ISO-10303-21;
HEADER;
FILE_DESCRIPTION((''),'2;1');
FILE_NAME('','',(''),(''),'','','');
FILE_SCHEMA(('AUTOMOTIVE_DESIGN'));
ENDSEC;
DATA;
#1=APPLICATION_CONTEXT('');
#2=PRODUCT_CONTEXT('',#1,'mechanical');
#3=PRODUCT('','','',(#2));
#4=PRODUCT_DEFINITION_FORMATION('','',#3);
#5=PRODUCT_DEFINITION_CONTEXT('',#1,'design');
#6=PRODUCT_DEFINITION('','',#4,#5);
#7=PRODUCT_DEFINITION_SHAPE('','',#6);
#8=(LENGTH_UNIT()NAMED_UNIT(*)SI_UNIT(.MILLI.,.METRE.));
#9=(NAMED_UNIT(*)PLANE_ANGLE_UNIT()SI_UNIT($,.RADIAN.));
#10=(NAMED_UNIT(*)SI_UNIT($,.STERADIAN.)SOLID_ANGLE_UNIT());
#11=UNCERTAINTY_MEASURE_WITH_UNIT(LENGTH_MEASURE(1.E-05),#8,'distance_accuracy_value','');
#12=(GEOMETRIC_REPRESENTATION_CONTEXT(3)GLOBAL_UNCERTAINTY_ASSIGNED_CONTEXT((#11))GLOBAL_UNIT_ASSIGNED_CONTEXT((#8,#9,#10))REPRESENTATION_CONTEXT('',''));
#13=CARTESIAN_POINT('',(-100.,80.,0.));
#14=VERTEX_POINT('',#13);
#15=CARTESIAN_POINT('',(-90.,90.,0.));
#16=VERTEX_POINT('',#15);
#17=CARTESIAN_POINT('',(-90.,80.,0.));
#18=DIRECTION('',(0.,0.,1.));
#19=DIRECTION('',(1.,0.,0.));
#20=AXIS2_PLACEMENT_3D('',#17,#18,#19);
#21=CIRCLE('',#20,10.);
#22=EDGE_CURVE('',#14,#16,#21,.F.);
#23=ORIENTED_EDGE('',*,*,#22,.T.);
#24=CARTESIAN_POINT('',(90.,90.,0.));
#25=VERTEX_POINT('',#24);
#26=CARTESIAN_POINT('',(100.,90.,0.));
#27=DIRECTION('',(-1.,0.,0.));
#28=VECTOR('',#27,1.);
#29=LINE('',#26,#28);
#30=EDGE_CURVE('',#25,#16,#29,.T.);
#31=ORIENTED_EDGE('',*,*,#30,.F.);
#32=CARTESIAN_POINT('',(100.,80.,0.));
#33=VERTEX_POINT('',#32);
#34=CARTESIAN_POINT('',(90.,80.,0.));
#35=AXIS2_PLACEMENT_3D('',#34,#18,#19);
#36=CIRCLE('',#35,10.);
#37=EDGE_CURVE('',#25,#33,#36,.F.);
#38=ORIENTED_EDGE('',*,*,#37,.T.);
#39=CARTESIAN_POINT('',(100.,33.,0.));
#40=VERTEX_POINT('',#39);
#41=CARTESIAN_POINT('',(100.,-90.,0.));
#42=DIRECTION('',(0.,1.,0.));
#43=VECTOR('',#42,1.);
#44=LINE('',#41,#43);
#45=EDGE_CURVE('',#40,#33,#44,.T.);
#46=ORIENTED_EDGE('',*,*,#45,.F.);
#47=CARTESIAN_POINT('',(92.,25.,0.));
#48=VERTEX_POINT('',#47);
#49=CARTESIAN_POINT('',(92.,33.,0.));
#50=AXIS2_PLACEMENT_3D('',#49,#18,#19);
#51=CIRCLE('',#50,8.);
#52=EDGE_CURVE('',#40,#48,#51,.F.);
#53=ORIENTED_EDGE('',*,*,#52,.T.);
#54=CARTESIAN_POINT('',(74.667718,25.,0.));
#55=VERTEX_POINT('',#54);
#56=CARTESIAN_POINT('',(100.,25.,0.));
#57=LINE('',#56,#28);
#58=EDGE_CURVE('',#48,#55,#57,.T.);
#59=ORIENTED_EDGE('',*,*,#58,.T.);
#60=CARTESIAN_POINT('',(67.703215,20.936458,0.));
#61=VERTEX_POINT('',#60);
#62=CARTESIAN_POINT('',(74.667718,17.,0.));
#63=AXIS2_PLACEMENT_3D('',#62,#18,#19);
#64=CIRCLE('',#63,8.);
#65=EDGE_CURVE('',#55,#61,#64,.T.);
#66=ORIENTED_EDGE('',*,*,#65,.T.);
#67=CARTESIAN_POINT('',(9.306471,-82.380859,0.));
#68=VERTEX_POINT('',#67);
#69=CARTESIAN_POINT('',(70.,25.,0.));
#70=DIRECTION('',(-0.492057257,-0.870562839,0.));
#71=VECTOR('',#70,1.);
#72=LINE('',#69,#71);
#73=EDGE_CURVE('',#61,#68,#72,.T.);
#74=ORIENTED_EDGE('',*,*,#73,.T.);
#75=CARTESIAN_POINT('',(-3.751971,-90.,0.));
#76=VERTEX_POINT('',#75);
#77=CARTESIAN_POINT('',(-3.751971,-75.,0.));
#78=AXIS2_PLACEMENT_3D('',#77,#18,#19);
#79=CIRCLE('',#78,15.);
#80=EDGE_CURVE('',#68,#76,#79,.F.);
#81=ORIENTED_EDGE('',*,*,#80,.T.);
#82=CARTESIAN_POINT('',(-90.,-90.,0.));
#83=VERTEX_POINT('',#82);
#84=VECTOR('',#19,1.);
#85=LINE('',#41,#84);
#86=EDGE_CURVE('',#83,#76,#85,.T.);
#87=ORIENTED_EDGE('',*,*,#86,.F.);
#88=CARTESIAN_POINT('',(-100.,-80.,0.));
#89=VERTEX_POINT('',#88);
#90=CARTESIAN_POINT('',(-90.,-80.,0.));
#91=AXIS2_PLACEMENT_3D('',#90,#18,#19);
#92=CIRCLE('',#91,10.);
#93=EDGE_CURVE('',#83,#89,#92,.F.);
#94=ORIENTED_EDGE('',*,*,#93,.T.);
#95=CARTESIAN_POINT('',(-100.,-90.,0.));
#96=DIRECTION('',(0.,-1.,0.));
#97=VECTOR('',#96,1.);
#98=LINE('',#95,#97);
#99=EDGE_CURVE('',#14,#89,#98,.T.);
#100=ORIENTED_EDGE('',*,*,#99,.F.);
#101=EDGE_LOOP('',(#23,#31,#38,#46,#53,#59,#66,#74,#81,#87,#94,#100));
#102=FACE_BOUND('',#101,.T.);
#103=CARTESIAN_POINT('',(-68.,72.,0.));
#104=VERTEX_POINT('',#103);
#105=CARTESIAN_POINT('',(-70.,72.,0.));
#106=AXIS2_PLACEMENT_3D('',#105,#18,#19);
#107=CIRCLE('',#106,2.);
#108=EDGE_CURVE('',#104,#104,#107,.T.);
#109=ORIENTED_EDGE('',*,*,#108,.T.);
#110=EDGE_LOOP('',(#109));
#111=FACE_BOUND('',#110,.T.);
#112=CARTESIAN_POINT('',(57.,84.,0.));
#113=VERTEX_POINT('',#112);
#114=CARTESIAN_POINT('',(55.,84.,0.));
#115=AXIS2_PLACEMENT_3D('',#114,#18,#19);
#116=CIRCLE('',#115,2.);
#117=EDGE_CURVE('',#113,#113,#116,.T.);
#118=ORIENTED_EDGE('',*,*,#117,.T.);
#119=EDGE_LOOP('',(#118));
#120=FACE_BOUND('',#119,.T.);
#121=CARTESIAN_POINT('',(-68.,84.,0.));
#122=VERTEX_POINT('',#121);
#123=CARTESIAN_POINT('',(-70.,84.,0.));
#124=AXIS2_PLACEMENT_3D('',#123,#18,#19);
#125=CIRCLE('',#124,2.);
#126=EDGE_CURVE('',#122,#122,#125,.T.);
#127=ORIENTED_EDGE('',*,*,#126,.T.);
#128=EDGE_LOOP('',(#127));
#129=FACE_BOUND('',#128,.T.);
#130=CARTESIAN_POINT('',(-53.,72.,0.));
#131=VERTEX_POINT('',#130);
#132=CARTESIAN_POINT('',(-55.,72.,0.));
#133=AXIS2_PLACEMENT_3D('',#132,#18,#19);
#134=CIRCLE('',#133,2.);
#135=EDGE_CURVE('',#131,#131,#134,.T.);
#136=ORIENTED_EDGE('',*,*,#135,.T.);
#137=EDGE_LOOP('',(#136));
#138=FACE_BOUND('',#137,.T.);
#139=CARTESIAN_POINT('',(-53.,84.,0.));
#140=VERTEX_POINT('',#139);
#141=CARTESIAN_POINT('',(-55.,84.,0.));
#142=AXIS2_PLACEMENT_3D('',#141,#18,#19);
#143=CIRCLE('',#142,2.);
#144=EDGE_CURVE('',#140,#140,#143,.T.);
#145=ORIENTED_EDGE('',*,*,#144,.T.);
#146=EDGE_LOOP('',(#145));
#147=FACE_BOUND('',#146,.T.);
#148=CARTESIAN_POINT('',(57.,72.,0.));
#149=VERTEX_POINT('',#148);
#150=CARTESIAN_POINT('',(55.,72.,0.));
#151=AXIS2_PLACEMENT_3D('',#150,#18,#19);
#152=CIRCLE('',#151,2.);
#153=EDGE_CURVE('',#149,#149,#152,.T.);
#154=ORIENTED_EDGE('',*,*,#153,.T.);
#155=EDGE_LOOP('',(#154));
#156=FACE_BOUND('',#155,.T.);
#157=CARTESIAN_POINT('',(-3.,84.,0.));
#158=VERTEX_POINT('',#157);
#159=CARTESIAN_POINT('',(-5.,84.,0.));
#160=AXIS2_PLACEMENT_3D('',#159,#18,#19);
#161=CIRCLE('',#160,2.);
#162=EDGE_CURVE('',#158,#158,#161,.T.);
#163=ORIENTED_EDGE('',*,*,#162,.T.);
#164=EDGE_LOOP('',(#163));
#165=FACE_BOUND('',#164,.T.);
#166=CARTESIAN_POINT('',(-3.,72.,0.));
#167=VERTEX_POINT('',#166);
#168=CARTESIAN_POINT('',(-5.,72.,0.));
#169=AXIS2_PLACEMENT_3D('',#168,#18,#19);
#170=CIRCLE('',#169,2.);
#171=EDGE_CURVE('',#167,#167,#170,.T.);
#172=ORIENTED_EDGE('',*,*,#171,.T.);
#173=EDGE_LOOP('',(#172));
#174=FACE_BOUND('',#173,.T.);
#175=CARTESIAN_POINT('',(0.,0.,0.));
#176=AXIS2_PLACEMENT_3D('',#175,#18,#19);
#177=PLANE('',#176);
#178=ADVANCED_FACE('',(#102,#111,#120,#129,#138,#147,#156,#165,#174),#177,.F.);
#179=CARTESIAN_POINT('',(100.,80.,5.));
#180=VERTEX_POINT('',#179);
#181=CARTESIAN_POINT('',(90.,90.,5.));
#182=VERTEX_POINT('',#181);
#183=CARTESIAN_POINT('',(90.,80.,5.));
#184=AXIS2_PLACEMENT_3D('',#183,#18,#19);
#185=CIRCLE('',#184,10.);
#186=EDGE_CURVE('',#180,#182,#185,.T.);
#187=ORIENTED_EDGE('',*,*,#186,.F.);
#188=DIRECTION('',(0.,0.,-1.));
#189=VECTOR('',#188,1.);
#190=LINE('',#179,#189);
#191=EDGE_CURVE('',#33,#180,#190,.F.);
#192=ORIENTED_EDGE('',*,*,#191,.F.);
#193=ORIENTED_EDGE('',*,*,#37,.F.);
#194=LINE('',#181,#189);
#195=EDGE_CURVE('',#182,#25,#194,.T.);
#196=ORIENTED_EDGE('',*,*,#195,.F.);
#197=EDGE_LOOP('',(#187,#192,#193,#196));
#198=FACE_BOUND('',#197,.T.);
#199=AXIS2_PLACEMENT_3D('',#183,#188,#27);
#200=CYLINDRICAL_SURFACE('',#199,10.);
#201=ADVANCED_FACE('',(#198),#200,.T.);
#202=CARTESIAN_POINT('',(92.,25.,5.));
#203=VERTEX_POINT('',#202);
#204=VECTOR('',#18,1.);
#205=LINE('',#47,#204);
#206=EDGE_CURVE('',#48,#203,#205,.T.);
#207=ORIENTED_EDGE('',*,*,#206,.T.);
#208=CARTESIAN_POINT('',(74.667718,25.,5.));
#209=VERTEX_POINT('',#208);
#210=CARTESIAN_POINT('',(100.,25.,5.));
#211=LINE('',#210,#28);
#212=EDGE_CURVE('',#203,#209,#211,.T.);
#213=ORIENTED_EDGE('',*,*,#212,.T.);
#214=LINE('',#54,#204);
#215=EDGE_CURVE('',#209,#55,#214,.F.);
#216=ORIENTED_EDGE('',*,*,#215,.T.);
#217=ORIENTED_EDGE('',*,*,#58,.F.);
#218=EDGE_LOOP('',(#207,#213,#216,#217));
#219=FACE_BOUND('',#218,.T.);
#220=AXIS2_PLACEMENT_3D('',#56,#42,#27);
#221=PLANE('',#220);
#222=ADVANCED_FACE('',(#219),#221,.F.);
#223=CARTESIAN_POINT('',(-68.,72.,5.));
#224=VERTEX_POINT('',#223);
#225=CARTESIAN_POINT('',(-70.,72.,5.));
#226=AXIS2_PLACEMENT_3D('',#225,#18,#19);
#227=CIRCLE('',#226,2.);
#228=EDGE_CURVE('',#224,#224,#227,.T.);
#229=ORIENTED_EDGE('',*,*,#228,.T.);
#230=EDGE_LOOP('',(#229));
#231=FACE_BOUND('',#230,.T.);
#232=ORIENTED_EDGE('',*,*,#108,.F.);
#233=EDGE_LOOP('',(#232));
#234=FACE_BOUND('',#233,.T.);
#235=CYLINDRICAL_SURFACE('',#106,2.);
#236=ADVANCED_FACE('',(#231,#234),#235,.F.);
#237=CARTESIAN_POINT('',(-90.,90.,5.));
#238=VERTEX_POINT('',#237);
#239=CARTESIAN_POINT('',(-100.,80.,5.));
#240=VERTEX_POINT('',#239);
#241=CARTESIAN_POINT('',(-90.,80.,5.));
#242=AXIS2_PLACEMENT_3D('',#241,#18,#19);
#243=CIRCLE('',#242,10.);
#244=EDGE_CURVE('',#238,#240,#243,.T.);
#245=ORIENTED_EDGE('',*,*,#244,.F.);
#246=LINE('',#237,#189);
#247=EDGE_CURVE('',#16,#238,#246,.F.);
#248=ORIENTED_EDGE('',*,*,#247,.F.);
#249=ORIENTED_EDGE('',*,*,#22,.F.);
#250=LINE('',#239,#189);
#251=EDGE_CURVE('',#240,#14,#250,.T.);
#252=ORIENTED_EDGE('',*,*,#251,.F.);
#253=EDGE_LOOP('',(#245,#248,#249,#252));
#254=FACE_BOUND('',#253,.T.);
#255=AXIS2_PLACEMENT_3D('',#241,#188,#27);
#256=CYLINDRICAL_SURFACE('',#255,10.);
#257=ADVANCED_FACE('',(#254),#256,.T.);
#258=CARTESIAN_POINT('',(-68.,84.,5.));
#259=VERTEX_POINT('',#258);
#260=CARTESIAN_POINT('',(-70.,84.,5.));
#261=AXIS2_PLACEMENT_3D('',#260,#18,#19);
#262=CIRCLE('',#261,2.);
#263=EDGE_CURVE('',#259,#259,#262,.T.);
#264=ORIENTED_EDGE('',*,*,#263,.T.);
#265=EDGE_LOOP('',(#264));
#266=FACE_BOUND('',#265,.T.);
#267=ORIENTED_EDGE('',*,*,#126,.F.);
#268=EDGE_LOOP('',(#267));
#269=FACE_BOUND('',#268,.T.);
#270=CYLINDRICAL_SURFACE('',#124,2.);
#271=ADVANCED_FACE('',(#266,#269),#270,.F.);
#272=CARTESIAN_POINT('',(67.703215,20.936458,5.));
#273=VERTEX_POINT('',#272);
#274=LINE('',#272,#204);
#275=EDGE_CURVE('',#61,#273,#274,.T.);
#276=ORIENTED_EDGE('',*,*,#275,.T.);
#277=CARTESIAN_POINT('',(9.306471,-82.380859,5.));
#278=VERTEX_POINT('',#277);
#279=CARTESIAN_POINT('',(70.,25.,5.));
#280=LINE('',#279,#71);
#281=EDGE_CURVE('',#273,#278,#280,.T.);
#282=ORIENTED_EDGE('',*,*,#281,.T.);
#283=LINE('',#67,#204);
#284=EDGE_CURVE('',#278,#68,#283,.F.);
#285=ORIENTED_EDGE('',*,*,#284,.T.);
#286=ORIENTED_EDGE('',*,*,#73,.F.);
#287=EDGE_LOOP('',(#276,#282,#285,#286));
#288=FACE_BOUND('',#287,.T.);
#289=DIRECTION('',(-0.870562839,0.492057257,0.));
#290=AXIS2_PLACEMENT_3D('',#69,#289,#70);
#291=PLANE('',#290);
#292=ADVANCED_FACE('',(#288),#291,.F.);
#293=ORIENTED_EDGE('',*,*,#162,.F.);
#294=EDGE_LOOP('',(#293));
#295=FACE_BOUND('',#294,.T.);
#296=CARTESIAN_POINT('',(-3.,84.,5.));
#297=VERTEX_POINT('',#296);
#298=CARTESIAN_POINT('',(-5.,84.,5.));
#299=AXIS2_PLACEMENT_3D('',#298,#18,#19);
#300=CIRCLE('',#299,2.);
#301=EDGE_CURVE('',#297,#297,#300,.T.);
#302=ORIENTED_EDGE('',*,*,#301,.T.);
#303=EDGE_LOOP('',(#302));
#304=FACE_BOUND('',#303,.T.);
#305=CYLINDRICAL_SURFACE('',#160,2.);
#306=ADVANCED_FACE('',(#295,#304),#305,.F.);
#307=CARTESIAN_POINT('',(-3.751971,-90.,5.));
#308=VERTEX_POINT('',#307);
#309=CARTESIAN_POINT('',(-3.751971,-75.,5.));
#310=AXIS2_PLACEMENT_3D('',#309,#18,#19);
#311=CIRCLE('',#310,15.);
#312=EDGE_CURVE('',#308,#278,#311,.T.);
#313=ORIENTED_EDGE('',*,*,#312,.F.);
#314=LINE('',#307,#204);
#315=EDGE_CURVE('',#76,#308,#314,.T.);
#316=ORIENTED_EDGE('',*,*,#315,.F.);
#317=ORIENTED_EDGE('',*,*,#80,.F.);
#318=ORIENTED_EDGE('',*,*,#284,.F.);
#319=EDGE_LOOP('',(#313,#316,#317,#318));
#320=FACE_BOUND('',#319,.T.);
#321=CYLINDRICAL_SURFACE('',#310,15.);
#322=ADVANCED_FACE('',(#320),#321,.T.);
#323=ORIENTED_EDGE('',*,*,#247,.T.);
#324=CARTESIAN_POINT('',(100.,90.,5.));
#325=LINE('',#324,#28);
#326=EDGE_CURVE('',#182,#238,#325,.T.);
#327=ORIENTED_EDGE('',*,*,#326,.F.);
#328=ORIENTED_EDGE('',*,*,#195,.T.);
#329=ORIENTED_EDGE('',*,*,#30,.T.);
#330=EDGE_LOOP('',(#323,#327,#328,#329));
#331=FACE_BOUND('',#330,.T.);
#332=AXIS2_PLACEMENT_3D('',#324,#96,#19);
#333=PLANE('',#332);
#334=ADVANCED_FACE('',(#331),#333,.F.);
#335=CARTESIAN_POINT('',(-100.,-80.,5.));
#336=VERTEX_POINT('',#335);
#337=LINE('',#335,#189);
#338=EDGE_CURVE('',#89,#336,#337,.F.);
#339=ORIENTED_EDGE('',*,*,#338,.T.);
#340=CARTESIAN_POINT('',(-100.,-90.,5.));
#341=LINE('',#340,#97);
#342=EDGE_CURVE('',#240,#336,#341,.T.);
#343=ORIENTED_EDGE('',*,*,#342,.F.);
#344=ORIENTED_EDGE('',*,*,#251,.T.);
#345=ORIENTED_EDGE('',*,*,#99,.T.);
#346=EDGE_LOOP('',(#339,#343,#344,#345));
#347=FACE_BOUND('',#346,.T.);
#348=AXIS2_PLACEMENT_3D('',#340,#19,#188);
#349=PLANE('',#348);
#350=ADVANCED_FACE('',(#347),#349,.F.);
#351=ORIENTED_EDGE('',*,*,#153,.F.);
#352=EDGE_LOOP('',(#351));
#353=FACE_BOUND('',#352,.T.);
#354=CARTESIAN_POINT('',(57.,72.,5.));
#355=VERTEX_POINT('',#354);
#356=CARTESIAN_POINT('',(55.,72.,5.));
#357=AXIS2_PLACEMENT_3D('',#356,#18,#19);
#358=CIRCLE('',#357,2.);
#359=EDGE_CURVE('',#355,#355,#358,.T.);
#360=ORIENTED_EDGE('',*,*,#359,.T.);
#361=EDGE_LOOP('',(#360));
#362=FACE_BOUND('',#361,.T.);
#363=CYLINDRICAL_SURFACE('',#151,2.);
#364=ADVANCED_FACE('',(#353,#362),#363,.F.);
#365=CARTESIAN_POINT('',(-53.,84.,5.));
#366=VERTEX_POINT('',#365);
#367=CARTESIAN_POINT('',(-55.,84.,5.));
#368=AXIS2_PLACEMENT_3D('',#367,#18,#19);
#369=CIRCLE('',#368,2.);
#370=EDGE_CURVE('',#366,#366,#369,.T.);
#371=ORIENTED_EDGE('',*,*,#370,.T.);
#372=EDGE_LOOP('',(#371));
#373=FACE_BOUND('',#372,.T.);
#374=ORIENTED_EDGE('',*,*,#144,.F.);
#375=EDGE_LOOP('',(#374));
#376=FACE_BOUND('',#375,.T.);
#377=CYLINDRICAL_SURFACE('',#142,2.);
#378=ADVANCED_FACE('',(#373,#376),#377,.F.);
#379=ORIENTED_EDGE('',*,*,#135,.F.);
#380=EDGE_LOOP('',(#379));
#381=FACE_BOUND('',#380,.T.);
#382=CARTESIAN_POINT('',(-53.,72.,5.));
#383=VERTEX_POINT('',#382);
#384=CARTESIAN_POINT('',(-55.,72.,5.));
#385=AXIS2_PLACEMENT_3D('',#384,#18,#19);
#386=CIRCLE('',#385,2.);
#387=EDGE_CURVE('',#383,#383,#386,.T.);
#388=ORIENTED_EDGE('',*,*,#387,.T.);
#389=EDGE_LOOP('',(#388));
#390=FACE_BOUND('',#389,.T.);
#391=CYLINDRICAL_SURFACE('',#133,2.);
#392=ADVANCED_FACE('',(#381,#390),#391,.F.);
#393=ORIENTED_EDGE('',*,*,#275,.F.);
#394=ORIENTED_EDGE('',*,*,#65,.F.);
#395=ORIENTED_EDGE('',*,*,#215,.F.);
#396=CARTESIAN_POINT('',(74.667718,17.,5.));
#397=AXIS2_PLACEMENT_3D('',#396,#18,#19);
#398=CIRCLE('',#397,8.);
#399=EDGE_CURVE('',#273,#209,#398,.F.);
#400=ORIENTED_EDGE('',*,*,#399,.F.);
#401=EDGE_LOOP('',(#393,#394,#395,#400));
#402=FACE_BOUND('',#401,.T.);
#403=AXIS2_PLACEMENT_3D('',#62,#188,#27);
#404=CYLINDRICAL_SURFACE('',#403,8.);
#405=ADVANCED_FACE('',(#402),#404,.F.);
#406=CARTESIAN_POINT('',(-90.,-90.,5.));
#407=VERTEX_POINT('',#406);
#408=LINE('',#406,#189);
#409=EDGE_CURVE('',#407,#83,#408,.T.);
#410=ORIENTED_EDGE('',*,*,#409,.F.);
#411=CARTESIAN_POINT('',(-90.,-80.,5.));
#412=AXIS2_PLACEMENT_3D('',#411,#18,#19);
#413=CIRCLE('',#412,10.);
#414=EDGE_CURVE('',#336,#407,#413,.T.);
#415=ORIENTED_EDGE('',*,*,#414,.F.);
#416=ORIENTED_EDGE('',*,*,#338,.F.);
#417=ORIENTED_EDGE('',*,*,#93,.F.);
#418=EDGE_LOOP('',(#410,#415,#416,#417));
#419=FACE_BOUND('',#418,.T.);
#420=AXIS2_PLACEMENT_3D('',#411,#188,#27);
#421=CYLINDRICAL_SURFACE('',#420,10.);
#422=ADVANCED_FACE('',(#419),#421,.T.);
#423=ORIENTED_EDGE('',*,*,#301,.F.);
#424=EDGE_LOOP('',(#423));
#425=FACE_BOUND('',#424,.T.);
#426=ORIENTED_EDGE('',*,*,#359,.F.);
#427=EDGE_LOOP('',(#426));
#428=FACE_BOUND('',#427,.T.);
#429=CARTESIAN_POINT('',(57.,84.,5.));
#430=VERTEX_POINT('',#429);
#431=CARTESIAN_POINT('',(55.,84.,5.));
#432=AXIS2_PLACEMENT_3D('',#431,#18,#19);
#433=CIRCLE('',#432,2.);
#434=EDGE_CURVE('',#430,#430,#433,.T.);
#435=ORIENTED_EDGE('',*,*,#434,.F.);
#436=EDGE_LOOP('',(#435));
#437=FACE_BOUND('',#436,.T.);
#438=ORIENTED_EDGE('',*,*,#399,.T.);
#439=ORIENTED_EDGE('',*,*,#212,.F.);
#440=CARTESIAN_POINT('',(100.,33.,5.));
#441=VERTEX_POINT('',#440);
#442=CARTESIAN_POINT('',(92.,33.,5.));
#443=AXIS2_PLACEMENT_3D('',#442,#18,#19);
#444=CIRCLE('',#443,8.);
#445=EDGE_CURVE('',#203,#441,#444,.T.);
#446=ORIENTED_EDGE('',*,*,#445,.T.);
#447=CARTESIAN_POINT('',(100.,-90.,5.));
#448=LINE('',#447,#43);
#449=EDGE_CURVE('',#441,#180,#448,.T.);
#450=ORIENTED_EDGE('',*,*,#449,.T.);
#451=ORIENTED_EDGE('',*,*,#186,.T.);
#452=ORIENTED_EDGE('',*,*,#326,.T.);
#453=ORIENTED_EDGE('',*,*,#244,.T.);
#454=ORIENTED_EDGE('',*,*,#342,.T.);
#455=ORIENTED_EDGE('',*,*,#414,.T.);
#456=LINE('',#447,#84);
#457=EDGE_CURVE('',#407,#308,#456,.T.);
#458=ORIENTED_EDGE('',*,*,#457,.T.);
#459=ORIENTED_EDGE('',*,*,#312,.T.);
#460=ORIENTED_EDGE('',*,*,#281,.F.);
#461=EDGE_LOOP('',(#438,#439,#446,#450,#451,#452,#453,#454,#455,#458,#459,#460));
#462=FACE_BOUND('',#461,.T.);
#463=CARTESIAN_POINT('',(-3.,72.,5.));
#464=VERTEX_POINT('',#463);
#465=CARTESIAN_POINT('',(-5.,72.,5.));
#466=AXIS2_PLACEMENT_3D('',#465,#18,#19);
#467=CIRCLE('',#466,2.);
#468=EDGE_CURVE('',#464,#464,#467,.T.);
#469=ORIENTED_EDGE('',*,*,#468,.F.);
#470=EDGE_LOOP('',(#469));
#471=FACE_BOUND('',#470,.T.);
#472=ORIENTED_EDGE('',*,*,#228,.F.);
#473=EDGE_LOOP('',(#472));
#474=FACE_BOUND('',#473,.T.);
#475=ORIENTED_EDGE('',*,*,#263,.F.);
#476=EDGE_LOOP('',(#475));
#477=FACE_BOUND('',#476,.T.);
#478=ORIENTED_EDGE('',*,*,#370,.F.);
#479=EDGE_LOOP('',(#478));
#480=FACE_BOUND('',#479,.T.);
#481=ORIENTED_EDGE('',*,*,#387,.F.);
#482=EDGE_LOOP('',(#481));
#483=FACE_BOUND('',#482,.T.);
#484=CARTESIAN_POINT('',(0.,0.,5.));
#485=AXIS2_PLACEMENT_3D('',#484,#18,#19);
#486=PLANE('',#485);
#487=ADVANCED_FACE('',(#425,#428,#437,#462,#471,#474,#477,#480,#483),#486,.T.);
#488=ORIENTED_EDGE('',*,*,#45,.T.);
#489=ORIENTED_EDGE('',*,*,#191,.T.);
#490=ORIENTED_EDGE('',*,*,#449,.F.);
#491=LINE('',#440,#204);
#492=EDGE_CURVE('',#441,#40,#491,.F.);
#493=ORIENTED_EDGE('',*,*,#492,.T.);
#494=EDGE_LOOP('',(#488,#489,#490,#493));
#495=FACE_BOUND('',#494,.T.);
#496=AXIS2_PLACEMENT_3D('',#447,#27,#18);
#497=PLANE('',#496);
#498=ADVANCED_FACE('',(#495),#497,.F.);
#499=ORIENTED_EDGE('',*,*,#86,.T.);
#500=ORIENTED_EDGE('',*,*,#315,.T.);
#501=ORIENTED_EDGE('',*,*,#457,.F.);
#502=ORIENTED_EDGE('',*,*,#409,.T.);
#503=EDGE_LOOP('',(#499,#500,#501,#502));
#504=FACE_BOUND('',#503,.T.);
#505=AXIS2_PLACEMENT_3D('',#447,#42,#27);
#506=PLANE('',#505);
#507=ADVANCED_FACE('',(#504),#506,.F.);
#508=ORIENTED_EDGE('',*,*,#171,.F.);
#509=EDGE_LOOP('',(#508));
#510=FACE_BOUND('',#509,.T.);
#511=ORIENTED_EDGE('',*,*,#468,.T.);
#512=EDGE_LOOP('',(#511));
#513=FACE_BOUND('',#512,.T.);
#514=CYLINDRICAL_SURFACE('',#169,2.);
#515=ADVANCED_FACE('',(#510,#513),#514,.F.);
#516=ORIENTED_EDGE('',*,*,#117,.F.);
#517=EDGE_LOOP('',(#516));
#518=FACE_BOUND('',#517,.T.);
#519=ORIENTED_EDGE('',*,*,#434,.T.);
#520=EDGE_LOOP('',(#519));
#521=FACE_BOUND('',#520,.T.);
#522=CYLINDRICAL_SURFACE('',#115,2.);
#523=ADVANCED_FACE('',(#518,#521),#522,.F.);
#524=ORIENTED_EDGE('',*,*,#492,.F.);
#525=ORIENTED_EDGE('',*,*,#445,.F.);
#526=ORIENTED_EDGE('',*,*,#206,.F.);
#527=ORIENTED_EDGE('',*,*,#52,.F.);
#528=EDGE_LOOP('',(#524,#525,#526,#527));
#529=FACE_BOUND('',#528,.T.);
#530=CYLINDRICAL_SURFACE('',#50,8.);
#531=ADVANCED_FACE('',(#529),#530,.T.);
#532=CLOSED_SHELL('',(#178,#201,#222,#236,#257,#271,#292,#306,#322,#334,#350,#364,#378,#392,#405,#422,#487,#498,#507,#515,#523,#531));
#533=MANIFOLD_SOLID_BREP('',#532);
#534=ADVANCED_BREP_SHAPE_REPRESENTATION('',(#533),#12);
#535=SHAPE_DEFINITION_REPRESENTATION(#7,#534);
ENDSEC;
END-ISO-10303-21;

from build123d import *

# Parameters (mm, degrees)
SKETCH_1_W          = 200
SKETCH_1_H          = 180
EXTRUDE_1_DEPTH     = 5
SKETCH_2_R          = 2
CUT_EXTRUDE_1_DEPTH = 135.629120178
FILLET_1_R          = 10
SKETCH_3_W          = 30
SKETCH_3_H          = 115
CUT_EXTRUDE_2_DEPTH = 135.629120178
CUT_EXTRUDE_3_DEPTH = 135.629120178
FILLET_2_R          = 8
FILLET_3_R          = 15


with BuildPart() as part:
    # Sketch 1 → Extrude 1 (new body)
    with BuildSketch(Plane.XY):
        Rectangle(SKETCH_1_W, SKETCH_1_H)
    extrude(amount=EXTRUDE_1_DEPTH)

    # Sketch 2 → Cut-Extrude 1 (cut, through all)
    with BuildSketch(Plane.XY.offset(5)):
        with Locations((-70, 84)):
            Circle(SKETCH_2_R)
        with Locations((-70, 72)):
            Circle(SKETCH_2_R)
        with Locations((-55, 84)):
            Circle(SKETCH_2_R)
        with Locations((-55, 72)):
            Circle(SKETCH_2_R)
        with Locations((-5, 84)):
            Circle(SKETCH_2_R)
        with Locations((-5, 72)):
            Circle(SKETCH_2_R)
        with Locations((55, 84)):
            Circle(SKETCH_2_R)
        with Locations((55, 72)):
            Circle(SKETCH_2_R)
    extrude(amount=-CUT_EXTRUDE_1_DEPTH, mode=Mode.SUBTRACT)

    # Fillet 1
    fillet_1_edges = [part.edges().sort_by_distance(p)[0] for p in [
        (-100, 90, 2.5),
        (100, 90, 2.5),
        (100, -90, 2.5),
        (-100, -90, 2.5),
    ]]
    fillet(fillet_1_edges, radius=FILLET_1_R)

    # Sketch 3 → Cut-Extrude 2 (cut, through all)
    with BuildSketch(Plane.XY.offset(5)):
        with Locations((85, -32.5)):
            Rectangle(SKETCH_3_W, SKETCH_3_H)
    extrude(amount=-CUT_EXTRUDE_2_DEPTH, mode=Mode.SUBTRACT)

    # Sketch 4 → Cut-Extrude 3 (cut, through all)
    with BuildSketch(Plane.XY.offset(5)):
        Polygon((70, 25), (5, -90), (70, -90), align=None)
    extrude(amount=-CUT_EXTRUDE_3_DEPTH, mode=Mode.SUBTRACT)

    # Fillet 2
    fillet_2_edges = [part.edges().sort_by_distance(p)[0] for p in [
        (100, 25, 2.5),
        (70, 25, 2.5),
    ]]
    fillet(fillet_2_edges, radius=FILLET_2_R)

    # Fillet 3
    fillet_3_edges = [part.edges().sort_by_distance(p)[0] for p in [
        (5, -90, 2.5),
    ]]
    fillet(fillet_3_edges, radius=FILLET_3_R)


solid = part.part
